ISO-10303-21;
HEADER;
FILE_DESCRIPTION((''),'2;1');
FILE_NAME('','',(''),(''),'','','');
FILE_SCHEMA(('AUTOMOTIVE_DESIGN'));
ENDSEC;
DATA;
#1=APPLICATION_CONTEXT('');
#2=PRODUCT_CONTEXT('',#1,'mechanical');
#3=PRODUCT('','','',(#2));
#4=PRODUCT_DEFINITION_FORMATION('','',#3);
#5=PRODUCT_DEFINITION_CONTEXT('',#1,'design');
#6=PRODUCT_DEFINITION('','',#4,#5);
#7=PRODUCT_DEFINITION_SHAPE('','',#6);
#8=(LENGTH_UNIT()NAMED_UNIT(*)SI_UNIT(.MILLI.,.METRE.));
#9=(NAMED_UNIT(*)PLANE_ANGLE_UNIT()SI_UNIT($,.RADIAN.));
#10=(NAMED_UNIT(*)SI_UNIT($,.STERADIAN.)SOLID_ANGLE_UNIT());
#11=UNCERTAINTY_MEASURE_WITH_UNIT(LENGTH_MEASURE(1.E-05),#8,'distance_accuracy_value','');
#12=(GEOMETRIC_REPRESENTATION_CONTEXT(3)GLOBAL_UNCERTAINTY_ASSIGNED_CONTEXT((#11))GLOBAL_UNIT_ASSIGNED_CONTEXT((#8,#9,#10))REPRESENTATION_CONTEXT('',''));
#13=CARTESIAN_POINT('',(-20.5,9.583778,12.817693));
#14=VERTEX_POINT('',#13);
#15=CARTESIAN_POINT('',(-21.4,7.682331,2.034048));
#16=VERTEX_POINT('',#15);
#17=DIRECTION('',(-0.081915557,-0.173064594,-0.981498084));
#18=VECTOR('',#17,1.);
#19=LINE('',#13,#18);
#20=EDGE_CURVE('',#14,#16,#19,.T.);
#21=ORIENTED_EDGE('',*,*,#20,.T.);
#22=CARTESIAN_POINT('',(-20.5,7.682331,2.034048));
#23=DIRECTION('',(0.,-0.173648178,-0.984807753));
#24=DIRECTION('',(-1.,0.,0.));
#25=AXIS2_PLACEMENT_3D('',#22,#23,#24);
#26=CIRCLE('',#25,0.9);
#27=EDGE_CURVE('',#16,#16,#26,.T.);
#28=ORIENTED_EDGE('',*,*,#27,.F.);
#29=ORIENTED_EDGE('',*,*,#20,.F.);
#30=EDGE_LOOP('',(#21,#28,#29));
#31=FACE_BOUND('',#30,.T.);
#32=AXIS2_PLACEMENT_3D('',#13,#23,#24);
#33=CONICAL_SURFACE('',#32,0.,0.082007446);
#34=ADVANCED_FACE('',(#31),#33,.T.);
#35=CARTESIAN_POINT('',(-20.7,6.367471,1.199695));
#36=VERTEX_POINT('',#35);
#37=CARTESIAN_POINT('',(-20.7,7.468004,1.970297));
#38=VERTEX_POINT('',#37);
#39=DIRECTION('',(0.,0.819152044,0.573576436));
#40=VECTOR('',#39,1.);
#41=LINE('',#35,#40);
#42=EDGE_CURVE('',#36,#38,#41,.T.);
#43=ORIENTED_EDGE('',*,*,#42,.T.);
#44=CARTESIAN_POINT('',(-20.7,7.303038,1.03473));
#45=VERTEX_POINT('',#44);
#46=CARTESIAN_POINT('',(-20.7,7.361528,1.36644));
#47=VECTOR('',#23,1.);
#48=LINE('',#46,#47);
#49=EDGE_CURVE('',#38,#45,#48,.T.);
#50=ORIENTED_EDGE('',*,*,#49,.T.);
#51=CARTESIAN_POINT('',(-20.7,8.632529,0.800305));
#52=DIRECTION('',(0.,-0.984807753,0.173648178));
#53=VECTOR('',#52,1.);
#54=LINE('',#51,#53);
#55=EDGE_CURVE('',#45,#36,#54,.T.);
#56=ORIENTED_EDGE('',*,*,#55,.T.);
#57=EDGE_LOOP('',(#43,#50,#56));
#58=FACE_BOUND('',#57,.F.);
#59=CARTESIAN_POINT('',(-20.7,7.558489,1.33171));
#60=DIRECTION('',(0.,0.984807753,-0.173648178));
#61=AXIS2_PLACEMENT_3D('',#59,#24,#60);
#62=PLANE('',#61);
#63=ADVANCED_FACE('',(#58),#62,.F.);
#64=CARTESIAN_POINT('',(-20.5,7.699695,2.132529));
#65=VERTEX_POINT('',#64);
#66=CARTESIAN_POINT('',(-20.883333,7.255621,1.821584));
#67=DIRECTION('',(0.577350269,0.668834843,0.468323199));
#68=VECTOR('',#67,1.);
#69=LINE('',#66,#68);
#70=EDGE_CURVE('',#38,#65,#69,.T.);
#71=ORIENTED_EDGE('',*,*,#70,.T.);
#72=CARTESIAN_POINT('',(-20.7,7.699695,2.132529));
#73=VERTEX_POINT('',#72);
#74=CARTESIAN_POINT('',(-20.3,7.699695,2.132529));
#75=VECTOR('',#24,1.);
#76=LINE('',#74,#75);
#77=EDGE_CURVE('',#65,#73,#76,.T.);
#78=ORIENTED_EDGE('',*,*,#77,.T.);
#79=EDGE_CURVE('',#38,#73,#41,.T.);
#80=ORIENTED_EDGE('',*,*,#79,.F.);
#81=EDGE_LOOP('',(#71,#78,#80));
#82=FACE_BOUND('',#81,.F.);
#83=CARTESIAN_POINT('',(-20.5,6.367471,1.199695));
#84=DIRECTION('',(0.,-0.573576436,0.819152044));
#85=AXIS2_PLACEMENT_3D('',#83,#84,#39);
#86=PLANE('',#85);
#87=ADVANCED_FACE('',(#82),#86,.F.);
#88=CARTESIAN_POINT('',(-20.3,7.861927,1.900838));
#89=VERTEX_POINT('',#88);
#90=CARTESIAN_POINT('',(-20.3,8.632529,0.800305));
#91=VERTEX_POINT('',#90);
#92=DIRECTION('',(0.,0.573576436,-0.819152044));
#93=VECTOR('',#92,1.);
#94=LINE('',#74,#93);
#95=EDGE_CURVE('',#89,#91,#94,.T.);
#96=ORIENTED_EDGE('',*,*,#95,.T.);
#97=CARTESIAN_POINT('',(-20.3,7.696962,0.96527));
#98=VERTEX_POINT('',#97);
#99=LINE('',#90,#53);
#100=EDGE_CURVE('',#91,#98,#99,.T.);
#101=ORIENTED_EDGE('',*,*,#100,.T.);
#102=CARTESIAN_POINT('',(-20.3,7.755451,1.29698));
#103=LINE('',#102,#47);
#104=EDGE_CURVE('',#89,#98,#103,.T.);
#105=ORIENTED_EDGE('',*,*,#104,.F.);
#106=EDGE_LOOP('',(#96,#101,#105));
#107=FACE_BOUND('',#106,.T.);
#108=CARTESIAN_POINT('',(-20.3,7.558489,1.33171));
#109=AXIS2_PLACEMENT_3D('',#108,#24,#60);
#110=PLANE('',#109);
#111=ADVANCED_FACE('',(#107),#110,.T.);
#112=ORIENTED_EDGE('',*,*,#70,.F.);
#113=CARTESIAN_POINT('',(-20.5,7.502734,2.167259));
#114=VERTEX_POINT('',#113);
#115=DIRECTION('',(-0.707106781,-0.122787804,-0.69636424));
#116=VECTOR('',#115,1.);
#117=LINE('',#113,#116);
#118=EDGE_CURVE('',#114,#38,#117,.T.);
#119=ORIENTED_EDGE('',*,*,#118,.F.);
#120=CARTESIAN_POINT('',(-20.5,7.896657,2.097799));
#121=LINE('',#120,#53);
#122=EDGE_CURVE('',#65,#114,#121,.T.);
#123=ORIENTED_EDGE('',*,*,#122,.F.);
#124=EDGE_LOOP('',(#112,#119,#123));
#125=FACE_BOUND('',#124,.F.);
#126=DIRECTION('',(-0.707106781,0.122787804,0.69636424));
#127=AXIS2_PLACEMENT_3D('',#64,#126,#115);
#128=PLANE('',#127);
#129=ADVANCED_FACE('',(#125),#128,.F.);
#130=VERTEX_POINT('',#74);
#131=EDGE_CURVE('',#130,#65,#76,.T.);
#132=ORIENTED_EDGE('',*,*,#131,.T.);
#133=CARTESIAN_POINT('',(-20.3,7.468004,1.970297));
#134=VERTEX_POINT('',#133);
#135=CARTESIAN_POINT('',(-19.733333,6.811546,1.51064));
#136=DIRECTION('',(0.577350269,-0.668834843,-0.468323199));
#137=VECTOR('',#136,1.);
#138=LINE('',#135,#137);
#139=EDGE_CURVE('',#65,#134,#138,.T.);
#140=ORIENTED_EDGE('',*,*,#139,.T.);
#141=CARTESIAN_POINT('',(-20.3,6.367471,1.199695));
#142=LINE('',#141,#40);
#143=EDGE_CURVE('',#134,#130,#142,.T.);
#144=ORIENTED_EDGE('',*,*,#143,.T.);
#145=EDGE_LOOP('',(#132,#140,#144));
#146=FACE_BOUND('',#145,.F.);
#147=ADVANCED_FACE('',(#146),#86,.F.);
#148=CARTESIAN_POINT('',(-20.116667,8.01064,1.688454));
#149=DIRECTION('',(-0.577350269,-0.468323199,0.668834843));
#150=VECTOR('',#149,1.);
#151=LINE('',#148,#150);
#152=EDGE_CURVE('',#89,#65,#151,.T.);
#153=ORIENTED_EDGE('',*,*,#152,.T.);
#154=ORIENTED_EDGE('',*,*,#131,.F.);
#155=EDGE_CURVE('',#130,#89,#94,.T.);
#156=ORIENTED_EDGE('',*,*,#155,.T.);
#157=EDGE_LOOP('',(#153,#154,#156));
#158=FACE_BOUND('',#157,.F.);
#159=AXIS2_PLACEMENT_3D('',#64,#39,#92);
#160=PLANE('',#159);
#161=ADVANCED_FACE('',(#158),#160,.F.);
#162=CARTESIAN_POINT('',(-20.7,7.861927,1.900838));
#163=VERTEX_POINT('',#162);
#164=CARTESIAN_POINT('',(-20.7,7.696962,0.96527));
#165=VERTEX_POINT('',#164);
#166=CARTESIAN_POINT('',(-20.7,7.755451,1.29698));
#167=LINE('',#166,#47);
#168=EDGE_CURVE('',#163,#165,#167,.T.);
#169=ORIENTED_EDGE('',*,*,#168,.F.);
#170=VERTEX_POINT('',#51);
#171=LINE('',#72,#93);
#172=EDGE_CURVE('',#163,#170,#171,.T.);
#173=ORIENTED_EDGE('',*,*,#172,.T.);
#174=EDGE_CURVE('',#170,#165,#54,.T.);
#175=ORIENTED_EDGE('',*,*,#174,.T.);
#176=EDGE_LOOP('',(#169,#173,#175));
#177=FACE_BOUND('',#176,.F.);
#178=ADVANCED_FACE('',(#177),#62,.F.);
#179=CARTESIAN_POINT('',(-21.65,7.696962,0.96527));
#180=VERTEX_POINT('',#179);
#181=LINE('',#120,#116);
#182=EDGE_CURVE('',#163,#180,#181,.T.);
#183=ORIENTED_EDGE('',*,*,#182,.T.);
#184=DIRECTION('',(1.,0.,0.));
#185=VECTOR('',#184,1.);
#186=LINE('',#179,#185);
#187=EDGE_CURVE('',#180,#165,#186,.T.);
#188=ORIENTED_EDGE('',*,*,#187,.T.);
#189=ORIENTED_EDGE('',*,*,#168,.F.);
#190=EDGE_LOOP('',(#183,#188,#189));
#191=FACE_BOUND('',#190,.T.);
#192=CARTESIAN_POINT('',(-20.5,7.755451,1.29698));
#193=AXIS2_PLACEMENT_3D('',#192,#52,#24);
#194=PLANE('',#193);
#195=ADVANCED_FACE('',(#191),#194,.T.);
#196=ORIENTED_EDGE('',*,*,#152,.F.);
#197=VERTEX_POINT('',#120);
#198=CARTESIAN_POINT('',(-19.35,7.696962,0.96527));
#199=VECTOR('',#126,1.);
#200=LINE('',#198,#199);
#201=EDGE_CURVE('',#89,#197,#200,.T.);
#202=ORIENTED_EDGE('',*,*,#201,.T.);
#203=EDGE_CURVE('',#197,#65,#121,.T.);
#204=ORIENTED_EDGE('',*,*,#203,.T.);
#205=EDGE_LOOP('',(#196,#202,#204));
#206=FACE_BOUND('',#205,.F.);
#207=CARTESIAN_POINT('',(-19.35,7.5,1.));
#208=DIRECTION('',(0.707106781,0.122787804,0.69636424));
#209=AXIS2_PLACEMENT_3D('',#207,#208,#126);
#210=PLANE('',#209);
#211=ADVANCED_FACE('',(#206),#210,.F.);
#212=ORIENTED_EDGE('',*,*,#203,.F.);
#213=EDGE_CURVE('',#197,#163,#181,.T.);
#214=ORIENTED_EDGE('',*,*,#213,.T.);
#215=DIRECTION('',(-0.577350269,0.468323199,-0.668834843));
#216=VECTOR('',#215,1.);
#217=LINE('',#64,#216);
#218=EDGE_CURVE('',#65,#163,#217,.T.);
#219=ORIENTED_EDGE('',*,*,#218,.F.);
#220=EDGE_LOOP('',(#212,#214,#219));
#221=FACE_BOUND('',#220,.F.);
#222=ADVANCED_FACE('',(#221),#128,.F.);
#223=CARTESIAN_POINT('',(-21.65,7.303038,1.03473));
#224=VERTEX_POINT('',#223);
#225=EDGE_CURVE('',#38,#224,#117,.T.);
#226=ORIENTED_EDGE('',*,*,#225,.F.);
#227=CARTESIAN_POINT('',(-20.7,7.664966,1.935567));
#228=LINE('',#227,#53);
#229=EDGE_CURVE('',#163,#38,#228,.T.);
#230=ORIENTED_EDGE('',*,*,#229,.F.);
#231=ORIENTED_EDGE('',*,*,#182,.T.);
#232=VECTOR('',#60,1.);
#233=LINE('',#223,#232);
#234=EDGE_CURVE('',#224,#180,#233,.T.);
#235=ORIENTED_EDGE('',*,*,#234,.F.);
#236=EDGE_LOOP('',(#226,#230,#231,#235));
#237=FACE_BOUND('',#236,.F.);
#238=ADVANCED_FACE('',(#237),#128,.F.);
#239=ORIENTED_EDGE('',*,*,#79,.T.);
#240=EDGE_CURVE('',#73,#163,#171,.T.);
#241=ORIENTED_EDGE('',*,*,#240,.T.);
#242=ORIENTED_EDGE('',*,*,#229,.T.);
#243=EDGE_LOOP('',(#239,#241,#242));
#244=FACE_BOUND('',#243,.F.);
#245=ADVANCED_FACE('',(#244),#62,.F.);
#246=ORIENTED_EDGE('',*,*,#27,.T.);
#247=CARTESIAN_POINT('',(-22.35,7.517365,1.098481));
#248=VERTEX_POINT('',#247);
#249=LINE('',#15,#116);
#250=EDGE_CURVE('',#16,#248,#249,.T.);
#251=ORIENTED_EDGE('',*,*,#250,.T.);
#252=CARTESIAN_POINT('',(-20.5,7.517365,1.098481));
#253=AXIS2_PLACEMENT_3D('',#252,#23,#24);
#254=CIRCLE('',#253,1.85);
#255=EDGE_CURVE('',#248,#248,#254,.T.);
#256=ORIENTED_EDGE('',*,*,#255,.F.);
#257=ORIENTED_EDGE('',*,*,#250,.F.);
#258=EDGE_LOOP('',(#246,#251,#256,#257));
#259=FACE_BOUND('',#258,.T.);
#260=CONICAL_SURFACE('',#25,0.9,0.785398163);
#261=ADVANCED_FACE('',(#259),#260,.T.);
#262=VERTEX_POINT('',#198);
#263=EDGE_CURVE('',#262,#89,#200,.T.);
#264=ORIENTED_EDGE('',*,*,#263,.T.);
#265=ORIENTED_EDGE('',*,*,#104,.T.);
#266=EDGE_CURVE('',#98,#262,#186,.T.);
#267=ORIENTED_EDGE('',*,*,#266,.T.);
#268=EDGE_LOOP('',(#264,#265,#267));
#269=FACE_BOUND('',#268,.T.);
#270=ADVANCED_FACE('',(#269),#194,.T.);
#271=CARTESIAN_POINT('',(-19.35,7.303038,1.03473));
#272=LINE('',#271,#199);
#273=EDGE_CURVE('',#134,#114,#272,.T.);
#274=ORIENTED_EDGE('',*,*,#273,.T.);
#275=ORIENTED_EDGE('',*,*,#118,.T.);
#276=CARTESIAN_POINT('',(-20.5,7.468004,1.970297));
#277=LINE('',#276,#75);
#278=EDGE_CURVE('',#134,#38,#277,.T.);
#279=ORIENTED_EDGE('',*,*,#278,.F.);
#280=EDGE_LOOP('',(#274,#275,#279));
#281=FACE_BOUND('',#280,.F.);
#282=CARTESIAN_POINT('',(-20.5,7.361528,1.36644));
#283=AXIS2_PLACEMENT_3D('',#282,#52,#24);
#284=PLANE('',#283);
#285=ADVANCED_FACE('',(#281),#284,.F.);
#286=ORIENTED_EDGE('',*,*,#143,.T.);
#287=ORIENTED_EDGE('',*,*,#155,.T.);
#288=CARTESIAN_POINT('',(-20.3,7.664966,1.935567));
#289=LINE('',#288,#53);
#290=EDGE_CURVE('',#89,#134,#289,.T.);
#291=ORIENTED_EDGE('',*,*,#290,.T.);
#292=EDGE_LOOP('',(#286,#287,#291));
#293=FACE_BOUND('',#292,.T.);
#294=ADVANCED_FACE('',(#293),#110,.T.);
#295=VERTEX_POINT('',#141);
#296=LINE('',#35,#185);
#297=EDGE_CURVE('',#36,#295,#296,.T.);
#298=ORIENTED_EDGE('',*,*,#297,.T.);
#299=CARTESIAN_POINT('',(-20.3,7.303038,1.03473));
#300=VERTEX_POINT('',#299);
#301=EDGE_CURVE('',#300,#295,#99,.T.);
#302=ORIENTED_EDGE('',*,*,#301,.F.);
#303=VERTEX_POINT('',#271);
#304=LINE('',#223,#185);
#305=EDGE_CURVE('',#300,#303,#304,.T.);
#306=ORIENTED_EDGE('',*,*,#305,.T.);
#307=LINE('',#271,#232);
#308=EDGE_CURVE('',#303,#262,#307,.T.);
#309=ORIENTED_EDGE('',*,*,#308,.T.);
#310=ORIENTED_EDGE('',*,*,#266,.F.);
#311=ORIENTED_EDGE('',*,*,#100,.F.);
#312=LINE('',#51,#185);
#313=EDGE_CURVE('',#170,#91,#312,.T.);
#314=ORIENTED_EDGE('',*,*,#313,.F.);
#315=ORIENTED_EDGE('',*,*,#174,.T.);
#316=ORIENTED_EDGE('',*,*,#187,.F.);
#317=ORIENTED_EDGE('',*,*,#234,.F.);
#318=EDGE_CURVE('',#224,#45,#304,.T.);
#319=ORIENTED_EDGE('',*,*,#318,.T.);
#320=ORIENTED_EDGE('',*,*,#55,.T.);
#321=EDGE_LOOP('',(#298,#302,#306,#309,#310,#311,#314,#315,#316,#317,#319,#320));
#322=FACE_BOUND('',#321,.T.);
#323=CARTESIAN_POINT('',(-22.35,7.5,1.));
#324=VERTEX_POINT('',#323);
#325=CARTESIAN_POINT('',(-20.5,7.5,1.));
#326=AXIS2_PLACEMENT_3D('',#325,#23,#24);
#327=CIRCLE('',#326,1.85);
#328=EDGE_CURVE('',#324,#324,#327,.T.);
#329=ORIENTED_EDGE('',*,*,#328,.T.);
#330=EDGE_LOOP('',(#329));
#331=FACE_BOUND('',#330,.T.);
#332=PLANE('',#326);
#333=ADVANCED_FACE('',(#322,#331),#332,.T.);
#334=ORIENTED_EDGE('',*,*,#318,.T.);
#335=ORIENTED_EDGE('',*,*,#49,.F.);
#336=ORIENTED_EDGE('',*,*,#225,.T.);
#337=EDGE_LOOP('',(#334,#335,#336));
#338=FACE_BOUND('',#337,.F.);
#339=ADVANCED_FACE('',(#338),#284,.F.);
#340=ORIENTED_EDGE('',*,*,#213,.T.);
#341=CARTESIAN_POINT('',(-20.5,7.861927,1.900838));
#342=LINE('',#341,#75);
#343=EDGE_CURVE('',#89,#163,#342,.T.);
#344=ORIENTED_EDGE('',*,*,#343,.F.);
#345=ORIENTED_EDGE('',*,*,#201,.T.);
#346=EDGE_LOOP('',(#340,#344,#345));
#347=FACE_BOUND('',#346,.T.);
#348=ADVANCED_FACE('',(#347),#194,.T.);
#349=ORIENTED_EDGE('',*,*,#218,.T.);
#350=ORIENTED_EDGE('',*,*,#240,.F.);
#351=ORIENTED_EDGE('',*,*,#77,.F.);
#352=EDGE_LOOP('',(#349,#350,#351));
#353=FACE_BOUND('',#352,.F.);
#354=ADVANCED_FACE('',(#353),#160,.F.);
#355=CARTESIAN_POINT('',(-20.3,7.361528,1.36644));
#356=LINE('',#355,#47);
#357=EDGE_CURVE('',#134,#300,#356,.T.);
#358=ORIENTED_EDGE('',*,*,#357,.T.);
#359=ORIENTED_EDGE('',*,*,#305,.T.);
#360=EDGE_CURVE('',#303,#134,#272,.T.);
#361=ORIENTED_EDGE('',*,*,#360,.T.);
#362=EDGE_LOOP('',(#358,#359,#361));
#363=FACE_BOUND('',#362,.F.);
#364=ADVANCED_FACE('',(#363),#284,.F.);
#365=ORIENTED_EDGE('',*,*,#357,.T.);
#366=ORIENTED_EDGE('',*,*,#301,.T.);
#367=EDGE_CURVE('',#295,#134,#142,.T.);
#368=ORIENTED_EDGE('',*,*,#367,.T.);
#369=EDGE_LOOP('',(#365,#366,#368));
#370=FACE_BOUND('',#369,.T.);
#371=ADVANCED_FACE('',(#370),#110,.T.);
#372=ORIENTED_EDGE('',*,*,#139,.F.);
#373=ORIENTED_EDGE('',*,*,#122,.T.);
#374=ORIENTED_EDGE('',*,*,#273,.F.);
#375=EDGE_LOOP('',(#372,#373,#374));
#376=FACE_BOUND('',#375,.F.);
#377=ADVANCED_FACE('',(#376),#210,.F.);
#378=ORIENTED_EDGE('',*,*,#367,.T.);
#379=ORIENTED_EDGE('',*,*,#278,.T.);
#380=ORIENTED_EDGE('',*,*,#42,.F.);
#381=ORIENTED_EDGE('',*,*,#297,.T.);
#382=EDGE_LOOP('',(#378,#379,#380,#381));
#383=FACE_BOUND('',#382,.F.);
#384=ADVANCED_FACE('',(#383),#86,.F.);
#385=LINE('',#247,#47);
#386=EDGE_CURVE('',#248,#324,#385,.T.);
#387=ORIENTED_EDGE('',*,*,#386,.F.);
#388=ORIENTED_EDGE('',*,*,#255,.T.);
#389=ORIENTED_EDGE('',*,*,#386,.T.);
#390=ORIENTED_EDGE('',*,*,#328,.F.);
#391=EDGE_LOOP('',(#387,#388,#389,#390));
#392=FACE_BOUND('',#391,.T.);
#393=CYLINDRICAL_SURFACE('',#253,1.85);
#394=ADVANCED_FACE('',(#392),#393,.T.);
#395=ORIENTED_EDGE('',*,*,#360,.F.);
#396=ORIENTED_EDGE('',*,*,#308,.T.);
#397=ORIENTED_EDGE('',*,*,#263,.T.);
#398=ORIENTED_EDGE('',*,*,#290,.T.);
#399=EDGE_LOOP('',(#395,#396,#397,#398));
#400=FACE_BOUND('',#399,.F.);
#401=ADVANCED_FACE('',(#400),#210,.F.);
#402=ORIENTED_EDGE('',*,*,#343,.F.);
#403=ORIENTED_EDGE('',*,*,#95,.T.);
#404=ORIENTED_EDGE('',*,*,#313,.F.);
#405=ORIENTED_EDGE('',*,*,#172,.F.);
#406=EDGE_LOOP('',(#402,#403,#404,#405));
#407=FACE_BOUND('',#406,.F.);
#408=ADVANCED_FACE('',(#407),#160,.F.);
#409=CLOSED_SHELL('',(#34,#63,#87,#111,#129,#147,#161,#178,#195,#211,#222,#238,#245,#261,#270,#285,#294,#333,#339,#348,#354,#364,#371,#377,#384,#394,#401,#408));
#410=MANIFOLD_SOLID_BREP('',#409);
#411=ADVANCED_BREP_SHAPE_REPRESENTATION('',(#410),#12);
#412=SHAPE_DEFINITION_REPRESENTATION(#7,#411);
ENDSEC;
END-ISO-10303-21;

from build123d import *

# Parameters (mm, degrees)
POCKET006_DEPTH         = 0.2
POLARPATTERN003_COUNT   = 2
POLARPATTERN003_ANGLE   = 90
BODY009_ROLL_ANGLE      = -170
BODY009_PLACEMENT_ANGLE = 180


with BuildPart() as part:
    # Sketch026 → Revolution003 (revolve)
    with BuildSketch(Plane.XZ):
        Polygon((0, 0), (0, -12), (0.9, -1.05), (1.85, -0.1), (1.85, 0), align=None)
    revolve(axis=Axis((0, 0, 0), (0, 0, 1)))

    # Sketch027 → Pocket006 (cut, symmetric)
    with BuildSketch(Plane.XZ):
        Polygon((-1.15, 0), (0, -1.15), (1.15, 0), align=None)
    pocket006 = extrude(amount=POCKET006_DEPTH, both=True, mode=Mode.SUBTRACT)

    # PolarPattern003: Pocket006 ×2 about axis
    polarpattern003_axis = Axis((0, 0, 0), (0, 0, 1))
    for i in range(1, POLARPATTERN003_COUNT):
        add(pocket006.rotate(polarpattern003_axis, i * POLARPATTERN003_ANGLE / (POLARPATTERN003_COUNT - 1)), mode=Mode.SUBTRACT)


with BuildPart() as part_1:
    # Body009 roll: moved
    add(part.part.rotate(Axis((0, 0, 0), (1, 0, 0)), BODY009_ROLL_ANGLE))


with BuildPart() as part_2:
    # Body009 placement: moved
    add(part_1.part.moved(Location((-20.5, 7.5, 1))).rotate(Axis((-20.5, 7.5, 1), (0, 0, 1)), BODY009_PLACEMENT_ANGLE))


solid = part_2.part
